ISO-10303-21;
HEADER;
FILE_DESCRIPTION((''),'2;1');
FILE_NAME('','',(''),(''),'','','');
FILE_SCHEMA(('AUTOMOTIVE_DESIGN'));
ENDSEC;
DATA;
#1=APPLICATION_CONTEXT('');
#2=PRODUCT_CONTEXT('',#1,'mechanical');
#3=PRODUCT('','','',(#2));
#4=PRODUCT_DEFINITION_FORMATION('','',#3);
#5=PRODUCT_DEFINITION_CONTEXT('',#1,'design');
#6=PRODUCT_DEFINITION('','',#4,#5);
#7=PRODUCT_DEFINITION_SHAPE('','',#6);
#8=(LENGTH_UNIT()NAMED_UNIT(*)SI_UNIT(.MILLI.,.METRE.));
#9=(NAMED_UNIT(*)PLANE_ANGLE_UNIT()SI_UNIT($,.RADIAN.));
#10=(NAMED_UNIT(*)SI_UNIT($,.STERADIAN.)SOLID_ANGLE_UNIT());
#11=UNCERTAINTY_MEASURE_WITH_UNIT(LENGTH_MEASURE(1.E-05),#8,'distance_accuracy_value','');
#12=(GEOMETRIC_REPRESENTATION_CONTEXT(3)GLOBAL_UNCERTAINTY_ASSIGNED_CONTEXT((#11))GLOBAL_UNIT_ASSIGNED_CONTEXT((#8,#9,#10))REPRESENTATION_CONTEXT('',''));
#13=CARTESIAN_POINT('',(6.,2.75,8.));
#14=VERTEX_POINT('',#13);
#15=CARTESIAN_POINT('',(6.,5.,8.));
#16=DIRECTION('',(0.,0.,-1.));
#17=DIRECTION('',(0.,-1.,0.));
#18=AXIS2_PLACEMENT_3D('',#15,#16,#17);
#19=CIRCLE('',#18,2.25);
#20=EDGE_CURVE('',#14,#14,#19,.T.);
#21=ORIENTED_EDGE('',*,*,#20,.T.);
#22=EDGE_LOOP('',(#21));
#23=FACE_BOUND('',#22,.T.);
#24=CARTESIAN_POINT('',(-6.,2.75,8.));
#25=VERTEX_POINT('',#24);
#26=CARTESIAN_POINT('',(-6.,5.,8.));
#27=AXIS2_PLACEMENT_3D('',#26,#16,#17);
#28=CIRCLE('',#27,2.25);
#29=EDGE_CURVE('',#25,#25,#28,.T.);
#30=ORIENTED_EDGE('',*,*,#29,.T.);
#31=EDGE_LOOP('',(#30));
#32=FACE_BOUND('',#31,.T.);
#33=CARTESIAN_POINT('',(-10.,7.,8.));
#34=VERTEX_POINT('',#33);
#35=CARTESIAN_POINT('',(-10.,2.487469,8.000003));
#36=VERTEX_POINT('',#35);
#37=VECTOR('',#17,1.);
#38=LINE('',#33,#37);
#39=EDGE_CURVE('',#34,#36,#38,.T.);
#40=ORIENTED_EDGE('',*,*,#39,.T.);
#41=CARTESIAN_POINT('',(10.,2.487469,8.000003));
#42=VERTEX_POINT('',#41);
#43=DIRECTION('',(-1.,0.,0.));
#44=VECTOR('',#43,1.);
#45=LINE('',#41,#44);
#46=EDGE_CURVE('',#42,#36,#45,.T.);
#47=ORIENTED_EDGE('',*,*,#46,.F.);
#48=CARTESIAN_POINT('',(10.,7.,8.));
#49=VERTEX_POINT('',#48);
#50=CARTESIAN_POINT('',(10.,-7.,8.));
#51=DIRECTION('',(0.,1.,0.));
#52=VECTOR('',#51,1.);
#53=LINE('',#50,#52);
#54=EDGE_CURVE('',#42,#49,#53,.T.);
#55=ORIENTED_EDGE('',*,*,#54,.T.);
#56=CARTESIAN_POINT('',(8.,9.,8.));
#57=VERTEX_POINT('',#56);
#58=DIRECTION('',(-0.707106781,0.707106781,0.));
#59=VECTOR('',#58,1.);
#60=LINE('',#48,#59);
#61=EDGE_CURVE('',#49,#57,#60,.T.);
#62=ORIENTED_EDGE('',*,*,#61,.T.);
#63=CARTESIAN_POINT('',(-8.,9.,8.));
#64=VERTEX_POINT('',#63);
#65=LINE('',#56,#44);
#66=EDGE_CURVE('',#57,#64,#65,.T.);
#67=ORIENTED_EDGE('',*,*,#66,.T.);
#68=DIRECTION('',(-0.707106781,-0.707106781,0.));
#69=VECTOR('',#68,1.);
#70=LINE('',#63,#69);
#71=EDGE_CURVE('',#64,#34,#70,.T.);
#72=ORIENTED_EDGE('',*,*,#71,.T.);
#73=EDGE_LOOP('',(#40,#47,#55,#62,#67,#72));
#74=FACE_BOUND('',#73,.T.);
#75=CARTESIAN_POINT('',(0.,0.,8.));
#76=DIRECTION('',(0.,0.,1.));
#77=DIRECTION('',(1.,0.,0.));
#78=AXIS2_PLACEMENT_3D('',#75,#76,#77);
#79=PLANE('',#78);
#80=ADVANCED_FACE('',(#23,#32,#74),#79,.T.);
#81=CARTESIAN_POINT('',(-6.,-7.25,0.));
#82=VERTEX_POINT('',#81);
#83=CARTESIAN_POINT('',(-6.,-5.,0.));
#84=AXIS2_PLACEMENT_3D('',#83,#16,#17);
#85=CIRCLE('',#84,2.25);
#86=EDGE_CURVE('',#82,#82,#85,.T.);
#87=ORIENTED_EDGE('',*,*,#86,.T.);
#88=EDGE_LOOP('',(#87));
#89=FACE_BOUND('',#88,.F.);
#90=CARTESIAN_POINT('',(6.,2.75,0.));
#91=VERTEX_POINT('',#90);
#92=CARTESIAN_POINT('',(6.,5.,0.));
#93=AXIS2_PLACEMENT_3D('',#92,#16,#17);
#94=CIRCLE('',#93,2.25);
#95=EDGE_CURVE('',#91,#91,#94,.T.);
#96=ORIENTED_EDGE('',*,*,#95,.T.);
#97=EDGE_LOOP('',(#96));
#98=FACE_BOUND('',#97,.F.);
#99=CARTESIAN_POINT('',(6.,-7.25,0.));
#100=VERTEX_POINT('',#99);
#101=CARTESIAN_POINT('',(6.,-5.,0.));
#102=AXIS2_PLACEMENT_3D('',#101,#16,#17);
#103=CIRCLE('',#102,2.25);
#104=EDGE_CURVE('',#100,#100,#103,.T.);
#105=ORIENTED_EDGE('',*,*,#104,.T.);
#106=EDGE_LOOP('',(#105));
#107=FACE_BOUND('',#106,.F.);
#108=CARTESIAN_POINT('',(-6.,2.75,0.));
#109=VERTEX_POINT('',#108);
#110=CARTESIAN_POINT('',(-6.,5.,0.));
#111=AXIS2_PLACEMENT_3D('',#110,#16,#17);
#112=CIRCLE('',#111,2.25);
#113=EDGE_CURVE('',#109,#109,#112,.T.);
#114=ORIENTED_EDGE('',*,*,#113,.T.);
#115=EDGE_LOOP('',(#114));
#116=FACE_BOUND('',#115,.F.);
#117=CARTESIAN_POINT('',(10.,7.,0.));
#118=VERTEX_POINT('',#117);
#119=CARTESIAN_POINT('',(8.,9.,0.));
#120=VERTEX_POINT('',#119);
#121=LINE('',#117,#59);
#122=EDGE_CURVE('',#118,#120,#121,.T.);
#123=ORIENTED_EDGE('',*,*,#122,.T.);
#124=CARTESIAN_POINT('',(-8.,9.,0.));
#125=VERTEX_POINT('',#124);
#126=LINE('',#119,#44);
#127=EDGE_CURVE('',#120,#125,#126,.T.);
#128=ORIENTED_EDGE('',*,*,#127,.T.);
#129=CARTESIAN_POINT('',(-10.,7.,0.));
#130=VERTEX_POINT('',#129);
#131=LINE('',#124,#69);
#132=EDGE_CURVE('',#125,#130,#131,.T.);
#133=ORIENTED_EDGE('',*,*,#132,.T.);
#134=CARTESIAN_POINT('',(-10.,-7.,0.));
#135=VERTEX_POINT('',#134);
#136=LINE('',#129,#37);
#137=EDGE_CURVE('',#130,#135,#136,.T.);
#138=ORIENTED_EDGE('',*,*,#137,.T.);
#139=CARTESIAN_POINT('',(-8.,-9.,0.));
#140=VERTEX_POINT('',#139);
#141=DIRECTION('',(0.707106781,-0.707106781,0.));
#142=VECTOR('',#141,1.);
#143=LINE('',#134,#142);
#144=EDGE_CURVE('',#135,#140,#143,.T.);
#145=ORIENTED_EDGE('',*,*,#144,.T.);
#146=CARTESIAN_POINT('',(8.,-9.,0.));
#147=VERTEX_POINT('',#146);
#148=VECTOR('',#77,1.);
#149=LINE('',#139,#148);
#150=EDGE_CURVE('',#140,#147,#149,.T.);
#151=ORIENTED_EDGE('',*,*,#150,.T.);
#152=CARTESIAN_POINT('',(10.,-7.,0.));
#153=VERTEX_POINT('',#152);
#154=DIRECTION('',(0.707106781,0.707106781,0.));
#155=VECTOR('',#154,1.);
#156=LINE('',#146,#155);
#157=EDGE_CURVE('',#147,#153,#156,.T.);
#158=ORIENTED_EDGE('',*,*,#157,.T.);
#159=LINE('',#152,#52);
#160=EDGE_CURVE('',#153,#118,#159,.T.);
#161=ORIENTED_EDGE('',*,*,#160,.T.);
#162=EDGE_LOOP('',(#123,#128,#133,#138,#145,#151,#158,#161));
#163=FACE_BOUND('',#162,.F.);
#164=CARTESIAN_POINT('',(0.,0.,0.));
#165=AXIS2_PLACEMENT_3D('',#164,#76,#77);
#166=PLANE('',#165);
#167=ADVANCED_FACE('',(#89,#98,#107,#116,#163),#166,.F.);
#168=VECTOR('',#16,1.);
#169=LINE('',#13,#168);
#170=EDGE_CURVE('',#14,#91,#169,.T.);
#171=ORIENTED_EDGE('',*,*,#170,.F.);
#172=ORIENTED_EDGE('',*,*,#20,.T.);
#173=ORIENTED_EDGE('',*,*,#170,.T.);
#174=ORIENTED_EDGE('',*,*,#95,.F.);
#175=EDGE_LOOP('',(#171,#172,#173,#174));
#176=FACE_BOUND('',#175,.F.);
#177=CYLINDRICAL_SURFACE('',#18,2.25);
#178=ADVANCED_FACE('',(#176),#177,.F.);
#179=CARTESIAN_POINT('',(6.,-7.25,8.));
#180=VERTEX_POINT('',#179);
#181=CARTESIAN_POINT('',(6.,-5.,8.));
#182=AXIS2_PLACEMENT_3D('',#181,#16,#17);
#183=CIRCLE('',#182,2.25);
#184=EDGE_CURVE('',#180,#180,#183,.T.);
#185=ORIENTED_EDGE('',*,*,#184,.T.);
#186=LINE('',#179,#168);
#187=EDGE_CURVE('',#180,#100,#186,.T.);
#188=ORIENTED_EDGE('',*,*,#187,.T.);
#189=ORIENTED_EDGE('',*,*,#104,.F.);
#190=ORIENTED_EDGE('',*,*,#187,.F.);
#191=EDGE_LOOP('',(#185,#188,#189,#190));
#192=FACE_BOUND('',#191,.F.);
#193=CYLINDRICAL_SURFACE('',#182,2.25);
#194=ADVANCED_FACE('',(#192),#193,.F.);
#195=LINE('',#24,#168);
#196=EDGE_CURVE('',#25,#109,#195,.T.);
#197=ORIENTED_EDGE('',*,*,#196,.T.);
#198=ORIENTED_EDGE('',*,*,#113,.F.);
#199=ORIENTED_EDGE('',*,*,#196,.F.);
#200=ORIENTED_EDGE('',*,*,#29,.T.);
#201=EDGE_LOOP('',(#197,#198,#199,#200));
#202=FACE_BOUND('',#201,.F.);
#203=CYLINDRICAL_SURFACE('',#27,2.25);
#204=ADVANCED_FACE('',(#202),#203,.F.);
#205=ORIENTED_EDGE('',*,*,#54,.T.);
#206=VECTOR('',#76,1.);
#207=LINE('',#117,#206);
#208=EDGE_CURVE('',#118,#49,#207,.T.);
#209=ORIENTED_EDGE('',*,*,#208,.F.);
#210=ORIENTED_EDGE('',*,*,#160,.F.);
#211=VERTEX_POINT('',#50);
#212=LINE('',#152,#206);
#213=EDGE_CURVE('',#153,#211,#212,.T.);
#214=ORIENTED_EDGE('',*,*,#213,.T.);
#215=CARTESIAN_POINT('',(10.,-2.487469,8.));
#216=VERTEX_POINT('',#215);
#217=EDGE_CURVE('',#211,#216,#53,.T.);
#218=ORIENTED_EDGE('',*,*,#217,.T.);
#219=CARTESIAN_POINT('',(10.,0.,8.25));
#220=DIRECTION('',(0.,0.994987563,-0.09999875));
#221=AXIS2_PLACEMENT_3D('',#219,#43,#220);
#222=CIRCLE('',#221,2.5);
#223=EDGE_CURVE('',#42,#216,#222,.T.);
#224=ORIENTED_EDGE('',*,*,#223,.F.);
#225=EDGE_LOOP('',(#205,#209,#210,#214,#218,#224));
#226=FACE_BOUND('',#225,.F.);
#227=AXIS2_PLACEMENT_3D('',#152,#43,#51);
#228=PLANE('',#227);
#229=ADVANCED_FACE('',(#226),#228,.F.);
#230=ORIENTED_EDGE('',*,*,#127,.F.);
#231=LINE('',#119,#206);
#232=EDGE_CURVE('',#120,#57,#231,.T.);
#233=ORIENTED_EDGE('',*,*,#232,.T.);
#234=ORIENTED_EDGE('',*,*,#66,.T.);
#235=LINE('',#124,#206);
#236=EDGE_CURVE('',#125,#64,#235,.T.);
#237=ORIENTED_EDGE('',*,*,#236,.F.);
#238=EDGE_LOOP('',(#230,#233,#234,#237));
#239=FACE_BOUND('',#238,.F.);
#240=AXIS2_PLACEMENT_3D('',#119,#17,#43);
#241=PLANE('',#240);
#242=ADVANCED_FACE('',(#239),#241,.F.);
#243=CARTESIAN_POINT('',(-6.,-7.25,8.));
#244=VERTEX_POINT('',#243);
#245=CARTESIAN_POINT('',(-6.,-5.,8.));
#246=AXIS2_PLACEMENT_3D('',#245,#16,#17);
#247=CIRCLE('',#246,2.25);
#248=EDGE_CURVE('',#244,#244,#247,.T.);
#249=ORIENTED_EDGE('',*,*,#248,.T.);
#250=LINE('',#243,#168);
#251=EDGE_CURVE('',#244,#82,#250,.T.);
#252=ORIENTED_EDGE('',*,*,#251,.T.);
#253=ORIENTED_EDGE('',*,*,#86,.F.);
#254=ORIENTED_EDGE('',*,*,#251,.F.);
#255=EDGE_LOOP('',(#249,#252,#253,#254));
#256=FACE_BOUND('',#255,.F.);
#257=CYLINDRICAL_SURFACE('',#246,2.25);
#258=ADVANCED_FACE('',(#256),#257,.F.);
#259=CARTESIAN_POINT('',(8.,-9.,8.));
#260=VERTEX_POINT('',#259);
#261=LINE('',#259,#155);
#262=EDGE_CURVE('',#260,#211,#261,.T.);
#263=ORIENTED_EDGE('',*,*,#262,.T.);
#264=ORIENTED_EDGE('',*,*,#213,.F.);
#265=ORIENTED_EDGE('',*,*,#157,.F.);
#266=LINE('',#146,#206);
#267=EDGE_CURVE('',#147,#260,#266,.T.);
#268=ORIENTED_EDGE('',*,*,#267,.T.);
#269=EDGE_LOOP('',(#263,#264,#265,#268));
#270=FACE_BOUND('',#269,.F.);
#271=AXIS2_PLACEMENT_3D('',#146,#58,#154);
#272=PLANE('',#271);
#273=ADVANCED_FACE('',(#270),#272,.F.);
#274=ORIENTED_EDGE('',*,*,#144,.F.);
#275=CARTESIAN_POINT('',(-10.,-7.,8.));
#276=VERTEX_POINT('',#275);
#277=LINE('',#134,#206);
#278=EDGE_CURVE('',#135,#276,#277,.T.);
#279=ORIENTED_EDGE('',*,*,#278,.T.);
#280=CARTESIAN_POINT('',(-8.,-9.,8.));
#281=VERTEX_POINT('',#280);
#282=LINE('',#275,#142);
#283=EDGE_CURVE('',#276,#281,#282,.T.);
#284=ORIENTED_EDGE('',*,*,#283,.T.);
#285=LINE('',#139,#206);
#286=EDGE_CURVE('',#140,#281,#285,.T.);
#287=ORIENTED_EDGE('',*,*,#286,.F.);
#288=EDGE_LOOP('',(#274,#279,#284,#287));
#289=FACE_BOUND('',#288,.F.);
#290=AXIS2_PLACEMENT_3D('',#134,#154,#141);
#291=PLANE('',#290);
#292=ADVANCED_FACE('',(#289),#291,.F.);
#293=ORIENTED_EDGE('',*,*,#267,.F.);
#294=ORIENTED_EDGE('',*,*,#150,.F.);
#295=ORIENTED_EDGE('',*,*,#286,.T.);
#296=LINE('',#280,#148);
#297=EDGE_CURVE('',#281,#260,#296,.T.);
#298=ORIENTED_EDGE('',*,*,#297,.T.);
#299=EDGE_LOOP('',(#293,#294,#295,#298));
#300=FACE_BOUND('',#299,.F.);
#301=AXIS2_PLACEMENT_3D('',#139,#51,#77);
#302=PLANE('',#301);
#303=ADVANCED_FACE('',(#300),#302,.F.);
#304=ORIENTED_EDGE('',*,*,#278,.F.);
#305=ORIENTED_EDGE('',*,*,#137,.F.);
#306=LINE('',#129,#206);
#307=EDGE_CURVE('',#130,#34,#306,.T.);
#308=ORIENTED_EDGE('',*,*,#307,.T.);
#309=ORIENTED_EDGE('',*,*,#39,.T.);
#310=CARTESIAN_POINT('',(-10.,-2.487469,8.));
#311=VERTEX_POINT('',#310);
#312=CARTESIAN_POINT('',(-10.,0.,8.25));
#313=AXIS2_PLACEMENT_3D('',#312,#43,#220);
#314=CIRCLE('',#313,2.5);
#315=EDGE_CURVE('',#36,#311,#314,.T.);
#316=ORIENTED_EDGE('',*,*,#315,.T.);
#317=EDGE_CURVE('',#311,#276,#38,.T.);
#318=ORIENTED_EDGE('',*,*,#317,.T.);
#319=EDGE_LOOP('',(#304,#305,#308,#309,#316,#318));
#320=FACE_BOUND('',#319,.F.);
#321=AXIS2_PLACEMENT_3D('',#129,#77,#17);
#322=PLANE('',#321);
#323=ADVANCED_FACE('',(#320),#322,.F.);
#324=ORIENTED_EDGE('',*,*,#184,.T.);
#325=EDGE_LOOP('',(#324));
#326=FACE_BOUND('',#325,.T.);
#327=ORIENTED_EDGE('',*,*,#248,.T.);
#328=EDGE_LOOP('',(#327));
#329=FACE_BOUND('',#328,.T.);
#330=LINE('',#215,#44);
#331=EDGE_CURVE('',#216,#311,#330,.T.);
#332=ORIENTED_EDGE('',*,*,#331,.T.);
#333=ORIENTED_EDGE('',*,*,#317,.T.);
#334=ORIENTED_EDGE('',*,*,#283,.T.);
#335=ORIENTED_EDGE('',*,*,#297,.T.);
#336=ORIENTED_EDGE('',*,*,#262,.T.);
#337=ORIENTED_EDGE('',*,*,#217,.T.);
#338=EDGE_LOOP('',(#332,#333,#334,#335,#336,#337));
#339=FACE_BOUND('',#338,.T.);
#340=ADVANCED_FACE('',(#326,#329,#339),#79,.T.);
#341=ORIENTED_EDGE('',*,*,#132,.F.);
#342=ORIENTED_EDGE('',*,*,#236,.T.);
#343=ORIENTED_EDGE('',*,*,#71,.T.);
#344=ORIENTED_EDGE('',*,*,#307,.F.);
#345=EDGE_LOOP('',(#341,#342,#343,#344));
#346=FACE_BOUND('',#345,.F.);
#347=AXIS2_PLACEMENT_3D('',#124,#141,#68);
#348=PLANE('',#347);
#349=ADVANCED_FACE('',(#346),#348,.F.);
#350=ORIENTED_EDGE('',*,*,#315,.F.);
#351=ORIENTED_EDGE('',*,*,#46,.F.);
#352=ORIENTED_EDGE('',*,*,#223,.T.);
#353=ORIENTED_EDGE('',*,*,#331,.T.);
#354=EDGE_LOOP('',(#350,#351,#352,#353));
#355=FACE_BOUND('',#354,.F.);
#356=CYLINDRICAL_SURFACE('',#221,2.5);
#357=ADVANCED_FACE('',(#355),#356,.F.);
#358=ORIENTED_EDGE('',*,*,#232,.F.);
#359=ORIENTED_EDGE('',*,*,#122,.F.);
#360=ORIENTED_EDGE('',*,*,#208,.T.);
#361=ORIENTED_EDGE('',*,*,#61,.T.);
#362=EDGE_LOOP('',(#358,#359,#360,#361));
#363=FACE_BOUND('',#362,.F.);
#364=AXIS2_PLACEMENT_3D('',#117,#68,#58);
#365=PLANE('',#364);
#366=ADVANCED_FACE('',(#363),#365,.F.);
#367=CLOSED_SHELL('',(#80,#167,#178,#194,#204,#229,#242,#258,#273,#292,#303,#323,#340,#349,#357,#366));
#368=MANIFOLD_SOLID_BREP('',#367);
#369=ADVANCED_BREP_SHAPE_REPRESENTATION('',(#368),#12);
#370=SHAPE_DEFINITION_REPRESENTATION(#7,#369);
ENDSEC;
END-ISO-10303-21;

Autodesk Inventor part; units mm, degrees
ref_plane "YZ Plane" through (0, 0, 0) normal (1, 0, 0) x (0, 1, 0)
ref_plane "XZ Plane" through (0, 0, 0) normal (0, 1, 0) x (-1, 0, 0)
sketch "Sketch1" plane through (0, 0, 0) normal (0, 0, 1) x (1, 0, 0)
  line L0 (8, -9) -> (10, -7)
  line L1 (10, -7) -> (10, 7)
  line L2 (-10, 7) -> (-10, -7)
  line L3 (10, 7) -> (8, 9)
  line L4 (-10, -7) -> (-8, -9)
  line L5 (8, 9) -> (-8, 9)
  line L6 (-8, -9) -> (8, -9)
  line L7 (-8, 9) -> (-10, 7)
extrude "Extrusion1" add sketch "Sketch1" along normal blind 8
ref_plane "Work Plane1" through (-10.001, 0, 8.25) normal (0, 0.1, 0.995) x (1, 0, 0)
sketch "Sketch2" plane through (-10.001, 0, 8.25) normal (0, 0.1, 0.995) x (1, 0, 0)
  line L0 (20.001, 2.5) -> (0.001, 2.5)
  line L1 (20.001, 2.5) -> (20.001, 0)
  line L2 (0.001, 2.5) -> (0.001, 0)
  line L3 (20.001, 0) -> (0.001, 0)
  line L4 (0, 0) -> (10, 0)
revolve "Revolution1" cut sketch "Sketch2" angle 168.522 about axis through (-10.001, 0, 8.25) along (-1, 0, 0)
hole "Hole4" at (6, -5, 8) direction (0, 0, -1) diameter 4.5 depth 8
hole "Hole3" at (-6, -5, 8) direction (0, 0, -1) diameter 4.5 depth 8
sketch "Sketch4" plane through (0, 0, 8) normal (0, 0, 1) x (1, 0, 0)
  point P0 (-6, -5)
hole "Hole2" at (6, 5, 8) direction (0, 0, -1) diameter 4.5 depth 8
sketch "Sketch3" plane through (0, 0, 8) normal (0, 0, 1) x (1, 0, 0)
  point P0 (6, -5)
hole "Hole1" at (-6, 5, 8) direction (0, 0, -1) diameter 4.5 depth 8
sketch "Sketch5" plane through (0, 0, 8) normal (0, 0, 1) x (1, 0, 0)
  point P0 (6, 5)
sketch "Sketch6" plane through (0, 0, 8) normal (0, 0, 1) x (1, 0, 0)
  point P0 (-6, 5)
properties part number "Driver Clamp 2" material "ASA Plastic"
